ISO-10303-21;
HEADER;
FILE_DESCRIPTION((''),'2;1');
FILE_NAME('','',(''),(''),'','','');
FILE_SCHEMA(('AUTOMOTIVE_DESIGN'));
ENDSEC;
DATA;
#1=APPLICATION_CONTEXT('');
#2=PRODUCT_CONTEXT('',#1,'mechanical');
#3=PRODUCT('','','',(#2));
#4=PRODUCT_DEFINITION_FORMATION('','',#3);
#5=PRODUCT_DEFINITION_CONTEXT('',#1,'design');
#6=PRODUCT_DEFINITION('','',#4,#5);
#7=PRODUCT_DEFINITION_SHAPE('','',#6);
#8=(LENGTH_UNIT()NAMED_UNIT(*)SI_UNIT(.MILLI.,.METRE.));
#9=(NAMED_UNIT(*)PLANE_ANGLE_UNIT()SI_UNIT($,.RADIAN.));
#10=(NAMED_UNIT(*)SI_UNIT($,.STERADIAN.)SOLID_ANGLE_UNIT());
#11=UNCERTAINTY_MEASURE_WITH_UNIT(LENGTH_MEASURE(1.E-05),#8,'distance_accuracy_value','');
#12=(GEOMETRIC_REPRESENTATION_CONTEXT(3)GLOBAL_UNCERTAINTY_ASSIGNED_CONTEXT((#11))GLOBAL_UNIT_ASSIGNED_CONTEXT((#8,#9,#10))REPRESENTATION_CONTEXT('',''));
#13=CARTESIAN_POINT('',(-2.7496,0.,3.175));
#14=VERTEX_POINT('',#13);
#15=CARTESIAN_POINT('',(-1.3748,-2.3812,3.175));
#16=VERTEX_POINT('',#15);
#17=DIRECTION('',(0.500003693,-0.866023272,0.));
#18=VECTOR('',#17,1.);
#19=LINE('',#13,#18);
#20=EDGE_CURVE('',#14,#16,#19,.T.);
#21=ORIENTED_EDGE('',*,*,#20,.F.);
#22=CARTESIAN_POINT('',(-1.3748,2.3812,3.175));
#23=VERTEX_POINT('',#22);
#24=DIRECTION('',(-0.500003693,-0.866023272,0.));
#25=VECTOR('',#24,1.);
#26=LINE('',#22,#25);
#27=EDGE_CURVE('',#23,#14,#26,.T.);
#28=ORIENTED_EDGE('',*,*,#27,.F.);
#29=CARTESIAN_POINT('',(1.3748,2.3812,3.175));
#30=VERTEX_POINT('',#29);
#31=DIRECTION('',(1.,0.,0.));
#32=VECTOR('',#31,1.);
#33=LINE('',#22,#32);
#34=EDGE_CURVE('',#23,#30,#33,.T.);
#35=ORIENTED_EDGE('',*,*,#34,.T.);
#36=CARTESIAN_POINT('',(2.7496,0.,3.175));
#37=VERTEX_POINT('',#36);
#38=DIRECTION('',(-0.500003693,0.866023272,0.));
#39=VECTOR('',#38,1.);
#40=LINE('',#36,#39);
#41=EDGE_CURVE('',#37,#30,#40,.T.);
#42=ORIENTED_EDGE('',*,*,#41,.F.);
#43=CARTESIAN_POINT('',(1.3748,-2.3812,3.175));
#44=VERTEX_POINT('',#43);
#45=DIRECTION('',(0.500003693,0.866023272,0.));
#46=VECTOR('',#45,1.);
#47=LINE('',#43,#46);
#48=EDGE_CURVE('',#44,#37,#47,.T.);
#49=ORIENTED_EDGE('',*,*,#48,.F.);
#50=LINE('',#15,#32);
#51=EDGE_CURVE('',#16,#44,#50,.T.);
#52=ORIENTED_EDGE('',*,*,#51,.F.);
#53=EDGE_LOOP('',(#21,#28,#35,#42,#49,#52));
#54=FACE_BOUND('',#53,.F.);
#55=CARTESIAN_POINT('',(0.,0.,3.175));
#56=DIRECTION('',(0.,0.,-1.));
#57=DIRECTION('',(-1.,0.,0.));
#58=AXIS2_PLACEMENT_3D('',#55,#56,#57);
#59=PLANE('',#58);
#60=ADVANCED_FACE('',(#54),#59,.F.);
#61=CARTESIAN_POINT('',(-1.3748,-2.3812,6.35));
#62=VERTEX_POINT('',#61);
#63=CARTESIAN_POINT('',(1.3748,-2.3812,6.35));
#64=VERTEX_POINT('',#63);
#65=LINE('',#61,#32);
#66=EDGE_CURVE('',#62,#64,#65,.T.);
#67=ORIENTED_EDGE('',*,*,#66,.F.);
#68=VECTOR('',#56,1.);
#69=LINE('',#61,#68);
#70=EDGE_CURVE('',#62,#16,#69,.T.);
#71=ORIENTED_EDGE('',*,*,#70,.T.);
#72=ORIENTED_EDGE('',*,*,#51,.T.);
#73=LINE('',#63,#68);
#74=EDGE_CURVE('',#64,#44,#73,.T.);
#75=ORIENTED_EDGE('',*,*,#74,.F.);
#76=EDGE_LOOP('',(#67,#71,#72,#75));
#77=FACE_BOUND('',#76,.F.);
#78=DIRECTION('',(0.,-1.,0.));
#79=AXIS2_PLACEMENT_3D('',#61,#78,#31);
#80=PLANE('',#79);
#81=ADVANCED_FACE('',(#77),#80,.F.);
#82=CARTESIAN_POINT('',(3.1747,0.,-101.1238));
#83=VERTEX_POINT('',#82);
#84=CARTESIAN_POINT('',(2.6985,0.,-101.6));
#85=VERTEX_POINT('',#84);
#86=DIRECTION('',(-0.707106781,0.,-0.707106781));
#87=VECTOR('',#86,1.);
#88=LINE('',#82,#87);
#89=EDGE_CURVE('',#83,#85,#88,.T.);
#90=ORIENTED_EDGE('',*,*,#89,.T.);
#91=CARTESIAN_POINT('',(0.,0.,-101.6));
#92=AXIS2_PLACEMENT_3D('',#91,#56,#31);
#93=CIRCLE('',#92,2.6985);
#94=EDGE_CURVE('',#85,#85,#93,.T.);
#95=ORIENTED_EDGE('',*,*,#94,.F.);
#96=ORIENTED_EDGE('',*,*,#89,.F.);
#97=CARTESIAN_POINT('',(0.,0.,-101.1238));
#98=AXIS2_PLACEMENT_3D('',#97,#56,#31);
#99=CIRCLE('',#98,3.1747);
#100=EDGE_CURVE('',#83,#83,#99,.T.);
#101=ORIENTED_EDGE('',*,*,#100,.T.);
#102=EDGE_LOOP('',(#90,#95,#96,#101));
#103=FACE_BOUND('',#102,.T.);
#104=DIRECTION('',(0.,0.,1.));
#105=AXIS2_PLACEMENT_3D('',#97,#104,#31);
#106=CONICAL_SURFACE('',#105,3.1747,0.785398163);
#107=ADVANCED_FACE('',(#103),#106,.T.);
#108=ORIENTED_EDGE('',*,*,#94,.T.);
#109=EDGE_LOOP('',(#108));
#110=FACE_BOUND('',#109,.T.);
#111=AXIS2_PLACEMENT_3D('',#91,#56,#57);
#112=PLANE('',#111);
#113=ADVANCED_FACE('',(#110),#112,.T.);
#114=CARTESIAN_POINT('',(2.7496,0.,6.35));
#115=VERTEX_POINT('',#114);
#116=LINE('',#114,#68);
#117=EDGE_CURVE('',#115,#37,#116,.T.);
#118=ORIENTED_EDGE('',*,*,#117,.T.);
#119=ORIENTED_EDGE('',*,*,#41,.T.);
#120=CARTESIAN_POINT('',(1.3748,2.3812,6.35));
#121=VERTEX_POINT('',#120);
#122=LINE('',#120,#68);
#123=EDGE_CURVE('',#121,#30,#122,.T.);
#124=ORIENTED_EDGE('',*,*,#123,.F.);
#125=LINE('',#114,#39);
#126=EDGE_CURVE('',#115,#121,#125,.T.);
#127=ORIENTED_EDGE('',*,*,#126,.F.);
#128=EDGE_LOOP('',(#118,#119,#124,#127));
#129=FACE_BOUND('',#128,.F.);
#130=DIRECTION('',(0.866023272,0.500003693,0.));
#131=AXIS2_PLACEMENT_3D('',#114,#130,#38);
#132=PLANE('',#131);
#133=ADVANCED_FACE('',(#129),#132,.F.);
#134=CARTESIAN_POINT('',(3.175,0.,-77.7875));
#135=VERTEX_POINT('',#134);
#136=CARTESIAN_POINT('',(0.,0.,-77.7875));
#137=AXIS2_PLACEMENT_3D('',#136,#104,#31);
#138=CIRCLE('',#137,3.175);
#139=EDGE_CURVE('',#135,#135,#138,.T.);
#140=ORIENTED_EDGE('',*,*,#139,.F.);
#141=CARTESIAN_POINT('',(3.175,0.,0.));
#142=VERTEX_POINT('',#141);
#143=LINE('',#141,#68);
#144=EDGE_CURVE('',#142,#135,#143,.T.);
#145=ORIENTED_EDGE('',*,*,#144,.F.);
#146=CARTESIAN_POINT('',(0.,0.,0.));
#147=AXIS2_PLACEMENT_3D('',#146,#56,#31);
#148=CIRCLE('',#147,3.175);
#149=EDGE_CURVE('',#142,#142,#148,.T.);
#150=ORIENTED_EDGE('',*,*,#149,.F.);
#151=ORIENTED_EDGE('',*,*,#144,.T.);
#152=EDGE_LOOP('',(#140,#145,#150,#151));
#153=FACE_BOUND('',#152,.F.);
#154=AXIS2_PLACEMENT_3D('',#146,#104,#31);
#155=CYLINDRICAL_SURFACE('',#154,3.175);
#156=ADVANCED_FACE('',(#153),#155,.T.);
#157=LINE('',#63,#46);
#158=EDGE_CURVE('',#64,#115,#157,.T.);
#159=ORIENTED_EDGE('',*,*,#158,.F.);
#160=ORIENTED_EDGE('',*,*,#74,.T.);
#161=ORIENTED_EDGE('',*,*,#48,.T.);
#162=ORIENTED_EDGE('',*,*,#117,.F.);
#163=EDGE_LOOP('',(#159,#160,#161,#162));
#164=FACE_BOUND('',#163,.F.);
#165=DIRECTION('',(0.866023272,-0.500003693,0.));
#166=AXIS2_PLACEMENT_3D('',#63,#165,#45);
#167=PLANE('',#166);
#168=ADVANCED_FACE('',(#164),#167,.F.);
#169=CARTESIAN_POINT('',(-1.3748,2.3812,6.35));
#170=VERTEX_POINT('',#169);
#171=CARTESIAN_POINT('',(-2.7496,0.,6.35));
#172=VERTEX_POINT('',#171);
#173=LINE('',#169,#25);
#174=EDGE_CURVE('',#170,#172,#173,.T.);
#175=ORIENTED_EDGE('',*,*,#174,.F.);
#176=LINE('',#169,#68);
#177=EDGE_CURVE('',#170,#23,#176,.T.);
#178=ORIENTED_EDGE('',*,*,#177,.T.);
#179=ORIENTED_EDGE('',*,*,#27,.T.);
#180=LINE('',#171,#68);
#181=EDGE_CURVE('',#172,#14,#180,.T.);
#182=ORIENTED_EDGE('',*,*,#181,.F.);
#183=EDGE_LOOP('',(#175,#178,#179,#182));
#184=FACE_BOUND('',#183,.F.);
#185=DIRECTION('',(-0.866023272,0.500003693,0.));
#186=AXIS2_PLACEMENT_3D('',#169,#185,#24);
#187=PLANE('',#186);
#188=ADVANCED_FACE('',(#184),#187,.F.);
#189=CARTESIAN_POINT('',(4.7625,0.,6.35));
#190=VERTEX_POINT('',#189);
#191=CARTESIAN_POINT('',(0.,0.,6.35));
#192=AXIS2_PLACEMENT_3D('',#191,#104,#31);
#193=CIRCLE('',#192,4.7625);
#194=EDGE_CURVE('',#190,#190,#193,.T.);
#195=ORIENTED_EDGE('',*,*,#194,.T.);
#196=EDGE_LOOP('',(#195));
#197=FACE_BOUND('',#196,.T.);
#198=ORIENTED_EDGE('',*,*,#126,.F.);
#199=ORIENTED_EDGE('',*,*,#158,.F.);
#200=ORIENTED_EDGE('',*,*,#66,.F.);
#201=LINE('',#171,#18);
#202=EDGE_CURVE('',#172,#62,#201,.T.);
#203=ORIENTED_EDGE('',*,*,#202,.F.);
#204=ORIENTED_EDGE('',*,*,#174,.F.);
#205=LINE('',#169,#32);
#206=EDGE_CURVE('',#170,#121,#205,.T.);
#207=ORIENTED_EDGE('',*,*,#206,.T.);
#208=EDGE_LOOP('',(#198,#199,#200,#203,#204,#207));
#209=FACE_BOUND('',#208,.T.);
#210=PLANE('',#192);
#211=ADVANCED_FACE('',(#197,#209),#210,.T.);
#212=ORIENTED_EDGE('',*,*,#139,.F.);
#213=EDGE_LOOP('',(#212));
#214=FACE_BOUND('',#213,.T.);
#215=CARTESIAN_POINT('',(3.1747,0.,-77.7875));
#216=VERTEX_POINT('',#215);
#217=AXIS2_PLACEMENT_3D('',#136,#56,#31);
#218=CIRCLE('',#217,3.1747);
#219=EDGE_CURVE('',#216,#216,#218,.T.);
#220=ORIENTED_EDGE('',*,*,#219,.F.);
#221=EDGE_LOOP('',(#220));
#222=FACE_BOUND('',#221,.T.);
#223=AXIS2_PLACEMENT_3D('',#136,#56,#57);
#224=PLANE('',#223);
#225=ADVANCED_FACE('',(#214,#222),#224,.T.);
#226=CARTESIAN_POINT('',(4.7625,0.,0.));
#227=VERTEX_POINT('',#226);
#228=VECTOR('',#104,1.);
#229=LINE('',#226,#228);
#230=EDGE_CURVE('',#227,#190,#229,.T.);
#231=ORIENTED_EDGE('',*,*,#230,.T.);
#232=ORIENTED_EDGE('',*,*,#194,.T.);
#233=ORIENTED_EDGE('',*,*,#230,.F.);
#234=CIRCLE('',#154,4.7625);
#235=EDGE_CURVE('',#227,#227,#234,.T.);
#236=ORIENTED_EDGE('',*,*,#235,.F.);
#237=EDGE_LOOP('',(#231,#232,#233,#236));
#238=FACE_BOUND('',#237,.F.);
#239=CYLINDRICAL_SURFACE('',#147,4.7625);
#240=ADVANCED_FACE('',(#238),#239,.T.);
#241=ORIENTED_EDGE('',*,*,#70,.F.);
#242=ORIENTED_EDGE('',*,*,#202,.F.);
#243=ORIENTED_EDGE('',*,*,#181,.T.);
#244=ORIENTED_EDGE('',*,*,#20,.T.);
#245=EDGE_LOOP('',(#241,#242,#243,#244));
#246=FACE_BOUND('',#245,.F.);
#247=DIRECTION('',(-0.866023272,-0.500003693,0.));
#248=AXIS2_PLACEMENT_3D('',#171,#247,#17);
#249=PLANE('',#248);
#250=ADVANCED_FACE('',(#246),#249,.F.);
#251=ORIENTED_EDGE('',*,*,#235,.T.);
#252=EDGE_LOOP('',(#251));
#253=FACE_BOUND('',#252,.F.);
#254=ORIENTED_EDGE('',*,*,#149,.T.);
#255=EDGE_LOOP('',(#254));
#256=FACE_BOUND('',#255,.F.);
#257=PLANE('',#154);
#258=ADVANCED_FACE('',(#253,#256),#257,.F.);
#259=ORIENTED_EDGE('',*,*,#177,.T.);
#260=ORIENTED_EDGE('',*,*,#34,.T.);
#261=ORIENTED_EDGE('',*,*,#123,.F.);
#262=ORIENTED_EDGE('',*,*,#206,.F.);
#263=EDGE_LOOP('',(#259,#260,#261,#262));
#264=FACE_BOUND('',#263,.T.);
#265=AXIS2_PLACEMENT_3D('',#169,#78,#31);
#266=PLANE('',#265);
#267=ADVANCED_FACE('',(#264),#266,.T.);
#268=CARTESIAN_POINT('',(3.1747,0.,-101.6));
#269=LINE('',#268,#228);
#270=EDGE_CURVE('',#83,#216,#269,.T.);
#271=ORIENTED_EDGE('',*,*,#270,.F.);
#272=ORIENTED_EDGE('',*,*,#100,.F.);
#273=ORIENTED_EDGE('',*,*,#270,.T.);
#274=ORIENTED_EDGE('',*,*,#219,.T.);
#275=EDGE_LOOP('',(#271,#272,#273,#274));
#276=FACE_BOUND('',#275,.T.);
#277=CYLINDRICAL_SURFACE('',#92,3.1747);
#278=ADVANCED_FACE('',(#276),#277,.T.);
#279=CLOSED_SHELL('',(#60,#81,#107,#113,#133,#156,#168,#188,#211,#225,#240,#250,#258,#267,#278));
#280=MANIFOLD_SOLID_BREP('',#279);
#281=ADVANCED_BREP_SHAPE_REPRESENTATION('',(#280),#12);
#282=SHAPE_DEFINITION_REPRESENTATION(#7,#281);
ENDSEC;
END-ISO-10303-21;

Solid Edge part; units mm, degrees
sketch "Sketch1" plane through (0, 0, 0) normal (0, 0, 1) x (1, 0, 0)
  circle A0 centre (0, 0) radius 4.7625
  dimension "D1" = 9.525
extrude "Protrusion1" add sketch "Sketch1" along normal blind 6.35
sketch "Sketch2" plane through (0, 0, 0) normal (0, 0, -1) x (1, 0, 0)
  circle A0 centre (0, 0) radius 3.175
extrude "Protrusion2" add sketch "Sketch2" along normal blind 101.6
sketch "Sketch3" plane through (0, 0, -101.6) normal (0, 0, -1) x (1, 0, 0)
  circle A0 centre (0, 0) radius 3.1747
extrude "Cutout1" cut sketch "Sketch3" against normal blind 23.8125 flip side to cut
chamfer "Chamfer_1" distance 0.4762 angle 45 1 edges at (-3.1747, 0, -101.6)
sketch "Sketch4" plane through (0, 0, 6.35) normal (0, 0, 1) x (1, 0, 0)
  line L0 (-1.3748, 2.3812) -> (1.3748, 2.3812)
  line L1 (2.7496, 0) -> (1.3748, 2.3812)
  line L2 (1.3748, -2.3812) -> (2.7496, 0)
  line L3 (-1.3748, -2.3812) -> (1.3748, -2.3812)
  line L4 (-2.7496, 0) -> (-1.3748, -2.3812)
  line L5 (-1.3748, 2.3812) -> (-2.7496, 0)
  dimension "D1" = 4.7625
extrude "Cutout2" cut sketch "Sketch4" against normal blind 3.175
properties part number "24101736"
